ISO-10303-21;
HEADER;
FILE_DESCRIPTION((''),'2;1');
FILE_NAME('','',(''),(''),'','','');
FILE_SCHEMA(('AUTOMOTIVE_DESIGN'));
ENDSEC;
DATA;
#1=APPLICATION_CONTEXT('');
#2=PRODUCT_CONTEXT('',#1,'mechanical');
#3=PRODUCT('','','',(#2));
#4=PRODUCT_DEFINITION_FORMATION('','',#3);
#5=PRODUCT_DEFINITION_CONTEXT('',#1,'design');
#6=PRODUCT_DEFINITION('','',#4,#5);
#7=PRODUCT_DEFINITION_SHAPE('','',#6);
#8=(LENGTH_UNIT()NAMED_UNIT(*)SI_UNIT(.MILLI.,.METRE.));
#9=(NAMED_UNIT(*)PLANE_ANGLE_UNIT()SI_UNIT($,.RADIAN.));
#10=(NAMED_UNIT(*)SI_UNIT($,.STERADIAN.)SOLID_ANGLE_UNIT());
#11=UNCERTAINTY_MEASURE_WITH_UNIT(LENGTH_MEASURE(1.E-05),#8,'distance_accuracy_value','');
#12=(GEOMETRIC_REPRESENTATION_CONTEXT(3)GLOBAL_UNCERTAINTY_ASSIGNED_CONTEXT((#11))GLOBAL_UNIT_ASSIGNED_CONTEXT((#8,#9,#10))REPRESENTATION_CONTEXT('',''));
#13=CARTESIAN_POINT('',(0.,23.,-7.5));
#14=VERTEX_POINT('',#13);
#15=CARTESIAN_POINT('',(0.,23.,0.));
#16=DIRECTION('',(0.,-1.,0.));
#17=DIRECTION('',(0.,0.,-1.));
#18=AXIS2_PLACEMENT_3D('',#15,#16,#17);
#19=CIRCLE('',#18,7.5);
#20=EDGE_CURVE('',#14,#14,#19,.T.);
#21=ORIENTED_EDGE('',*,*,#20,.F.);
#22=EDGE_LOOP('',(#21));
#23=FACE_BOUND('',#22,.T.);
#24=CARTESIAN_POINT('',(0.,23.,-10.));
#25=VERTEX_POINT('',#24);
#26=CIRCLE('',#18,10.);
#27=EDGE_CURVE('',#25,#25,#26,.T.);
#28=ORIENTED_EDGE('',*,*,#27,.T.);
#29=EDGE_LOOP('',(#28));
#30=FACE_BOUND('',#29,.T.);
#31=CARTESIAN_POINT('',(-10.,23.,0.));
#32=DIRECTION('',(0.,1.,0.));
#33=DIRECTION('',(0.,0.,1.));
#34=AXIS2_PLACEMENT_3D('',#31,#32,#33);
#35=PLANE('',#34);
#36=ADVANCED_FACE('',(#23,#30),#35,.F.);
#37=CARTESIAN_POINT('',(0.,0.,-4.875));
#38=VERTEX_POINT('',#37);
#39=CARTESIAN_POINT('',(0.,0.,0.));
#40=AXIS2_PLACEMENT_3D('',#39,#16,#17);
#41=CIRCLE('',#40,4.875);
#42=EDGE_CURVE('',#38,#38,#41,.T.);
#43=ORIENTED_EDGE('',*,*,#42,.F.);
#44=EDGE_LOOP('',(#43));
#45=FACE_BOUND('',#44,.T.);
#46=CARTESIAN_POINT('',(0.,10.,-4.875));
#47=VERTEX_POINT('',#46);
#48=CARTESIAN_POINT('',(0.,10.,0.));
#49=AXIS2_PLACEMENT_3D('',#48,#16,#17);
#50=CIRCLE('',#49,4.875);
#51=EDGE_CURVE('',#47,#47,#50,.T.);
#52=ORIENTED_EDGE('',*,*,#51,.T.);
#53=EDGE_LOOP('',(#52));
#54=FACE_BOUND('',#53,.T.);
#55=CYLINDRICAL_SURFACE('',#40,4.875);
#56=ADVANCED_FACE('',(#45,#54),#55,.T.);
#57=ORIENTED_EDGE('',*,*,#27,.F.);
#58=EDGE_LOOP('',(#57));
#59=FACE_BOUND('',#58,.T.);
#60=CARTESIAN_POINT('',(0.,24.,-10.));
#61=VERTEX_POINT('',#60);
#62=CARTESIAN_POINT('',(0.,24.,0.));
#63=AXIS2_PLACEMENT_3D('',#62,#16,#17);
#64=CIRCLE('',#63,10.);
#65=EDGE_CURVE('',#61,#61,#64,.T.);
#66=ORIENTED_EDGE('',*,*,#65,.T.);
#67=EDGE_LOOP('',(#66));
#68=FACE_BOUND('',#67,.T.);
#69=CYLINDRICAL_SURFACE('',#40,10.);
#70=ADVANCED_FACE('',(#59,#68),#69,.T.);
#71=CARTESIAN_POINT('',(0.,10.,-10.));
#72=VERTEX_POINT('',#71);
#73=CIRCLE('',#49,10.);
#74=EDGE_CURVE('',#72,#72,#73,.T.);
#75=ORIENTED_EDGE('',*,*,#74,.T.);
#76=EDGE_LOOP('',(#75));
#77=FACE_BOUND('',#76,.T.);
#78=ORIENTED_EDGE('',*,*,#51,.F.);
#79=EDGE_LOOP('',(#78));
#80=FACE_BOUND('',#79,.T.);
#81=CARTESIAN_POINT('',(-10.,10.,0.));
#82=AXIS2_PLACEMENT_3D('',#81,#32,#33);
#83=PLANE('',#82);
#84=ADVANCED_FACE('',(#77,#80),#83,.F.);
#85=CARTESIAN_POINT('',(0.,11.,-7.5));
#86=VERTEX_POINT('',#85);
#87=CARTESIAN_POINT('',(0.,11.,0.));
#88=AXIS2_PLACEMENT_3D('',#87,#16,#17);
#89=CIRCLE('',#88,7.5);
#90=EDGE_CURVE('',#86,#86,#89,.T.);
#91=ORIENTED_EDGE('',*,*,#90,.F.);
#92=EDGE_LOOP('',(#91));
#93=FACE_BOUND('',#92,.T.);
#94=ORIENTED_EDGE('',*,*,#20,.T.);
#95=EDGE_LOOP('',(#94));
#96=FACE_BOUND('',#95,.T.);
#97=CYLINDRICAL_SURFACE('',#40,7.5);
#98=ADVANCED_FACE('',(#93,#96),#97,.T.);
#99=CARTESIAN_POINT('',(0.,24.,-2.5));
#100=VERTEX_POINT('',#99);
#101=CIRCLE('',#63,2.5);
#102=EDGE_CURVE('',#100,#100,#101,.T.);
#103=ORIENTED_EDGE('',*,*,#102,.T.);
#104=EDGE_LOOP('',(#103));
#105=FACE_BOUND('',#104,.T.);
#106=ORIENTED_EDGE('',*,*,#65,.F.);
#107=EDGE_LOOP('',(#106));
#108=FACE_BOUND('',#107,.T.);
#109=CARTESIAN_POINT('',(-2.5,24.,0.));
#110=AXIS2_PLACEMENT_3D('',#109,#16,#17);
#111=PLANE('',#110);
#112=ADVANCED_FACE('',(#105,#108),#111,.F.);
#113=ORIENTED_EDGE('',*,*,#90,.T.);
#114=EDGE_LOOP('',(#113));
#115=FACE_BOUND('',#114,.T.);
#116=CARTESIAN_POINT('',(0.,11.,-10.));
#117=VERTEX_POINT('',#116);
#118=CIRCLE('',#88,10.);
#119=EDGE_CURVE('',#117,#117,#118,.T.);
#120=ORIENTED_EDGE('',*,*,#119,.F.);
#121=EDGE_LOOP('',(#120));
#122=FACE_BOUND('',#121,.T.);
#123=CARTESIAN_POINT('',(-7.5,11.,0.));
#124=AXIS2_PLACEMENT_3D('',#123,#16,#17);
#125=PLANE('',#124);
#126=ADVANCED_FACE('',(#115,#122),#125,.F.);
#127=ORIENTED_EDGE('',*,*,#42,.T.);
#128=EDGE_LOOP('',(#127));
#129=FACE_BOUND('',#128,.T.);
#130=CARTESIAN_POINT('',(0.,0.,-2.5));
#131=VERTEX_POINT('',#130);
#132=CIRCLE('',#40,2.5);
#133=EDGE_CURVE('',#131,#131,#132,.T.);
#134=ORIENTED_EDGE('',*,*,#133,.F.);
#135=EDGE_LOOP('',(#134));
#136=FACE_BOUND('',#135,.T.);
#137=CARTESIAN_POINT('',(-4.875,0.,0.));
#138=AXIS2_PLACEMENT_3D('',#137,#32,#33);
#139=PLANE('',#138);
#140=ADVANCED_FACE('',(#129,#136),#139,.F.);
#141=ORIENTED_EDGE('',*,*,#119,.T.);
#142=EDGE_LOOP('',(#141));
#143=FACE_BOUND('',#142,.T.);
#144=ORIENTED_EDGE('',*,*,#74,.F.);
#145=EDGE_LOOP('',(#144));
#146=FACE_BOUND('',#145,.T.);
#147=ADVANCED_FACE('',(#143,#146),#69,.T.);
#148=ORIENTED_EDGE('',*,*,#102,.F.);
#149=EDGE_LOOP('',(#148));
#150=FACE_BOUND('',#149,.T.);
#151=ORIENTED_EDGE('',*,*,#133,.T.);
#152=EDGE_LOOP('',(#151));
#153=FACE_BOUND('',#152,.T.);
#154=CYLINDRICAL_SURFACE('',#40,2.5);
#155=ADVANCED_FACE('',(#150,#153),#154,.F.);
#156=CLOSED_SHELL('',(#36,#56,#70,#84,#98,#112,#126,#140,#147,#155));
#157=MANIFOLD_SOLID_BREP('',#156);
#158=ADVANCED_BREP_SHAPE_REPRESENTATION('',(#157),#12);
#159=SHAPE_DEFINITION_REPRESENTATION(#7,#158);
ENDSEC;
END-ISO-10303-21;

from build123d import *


with BuildPart() as part:
    # Sketch1 → Revolve1 (revolve)
    with BuildSketch(Plane.XY, mode=Mode.PRIVATE) as revolve1_sk:
        Polygon((-2.5, 0), (-2.5, 24), (-10, 24), (-10, 23), (-7.5, 23), (-7.5, 11), (-10, 11), (-10, 10), (-4.875, 10), (-4.875, 0), align=None)
    revolve(revolve1_sk.sketch.rotate(Axis((0, 0, 0), (0, 1, 0)), 270), axis=Axis((0, 0, 0), (0, 1, 0)))


solid = part.part
